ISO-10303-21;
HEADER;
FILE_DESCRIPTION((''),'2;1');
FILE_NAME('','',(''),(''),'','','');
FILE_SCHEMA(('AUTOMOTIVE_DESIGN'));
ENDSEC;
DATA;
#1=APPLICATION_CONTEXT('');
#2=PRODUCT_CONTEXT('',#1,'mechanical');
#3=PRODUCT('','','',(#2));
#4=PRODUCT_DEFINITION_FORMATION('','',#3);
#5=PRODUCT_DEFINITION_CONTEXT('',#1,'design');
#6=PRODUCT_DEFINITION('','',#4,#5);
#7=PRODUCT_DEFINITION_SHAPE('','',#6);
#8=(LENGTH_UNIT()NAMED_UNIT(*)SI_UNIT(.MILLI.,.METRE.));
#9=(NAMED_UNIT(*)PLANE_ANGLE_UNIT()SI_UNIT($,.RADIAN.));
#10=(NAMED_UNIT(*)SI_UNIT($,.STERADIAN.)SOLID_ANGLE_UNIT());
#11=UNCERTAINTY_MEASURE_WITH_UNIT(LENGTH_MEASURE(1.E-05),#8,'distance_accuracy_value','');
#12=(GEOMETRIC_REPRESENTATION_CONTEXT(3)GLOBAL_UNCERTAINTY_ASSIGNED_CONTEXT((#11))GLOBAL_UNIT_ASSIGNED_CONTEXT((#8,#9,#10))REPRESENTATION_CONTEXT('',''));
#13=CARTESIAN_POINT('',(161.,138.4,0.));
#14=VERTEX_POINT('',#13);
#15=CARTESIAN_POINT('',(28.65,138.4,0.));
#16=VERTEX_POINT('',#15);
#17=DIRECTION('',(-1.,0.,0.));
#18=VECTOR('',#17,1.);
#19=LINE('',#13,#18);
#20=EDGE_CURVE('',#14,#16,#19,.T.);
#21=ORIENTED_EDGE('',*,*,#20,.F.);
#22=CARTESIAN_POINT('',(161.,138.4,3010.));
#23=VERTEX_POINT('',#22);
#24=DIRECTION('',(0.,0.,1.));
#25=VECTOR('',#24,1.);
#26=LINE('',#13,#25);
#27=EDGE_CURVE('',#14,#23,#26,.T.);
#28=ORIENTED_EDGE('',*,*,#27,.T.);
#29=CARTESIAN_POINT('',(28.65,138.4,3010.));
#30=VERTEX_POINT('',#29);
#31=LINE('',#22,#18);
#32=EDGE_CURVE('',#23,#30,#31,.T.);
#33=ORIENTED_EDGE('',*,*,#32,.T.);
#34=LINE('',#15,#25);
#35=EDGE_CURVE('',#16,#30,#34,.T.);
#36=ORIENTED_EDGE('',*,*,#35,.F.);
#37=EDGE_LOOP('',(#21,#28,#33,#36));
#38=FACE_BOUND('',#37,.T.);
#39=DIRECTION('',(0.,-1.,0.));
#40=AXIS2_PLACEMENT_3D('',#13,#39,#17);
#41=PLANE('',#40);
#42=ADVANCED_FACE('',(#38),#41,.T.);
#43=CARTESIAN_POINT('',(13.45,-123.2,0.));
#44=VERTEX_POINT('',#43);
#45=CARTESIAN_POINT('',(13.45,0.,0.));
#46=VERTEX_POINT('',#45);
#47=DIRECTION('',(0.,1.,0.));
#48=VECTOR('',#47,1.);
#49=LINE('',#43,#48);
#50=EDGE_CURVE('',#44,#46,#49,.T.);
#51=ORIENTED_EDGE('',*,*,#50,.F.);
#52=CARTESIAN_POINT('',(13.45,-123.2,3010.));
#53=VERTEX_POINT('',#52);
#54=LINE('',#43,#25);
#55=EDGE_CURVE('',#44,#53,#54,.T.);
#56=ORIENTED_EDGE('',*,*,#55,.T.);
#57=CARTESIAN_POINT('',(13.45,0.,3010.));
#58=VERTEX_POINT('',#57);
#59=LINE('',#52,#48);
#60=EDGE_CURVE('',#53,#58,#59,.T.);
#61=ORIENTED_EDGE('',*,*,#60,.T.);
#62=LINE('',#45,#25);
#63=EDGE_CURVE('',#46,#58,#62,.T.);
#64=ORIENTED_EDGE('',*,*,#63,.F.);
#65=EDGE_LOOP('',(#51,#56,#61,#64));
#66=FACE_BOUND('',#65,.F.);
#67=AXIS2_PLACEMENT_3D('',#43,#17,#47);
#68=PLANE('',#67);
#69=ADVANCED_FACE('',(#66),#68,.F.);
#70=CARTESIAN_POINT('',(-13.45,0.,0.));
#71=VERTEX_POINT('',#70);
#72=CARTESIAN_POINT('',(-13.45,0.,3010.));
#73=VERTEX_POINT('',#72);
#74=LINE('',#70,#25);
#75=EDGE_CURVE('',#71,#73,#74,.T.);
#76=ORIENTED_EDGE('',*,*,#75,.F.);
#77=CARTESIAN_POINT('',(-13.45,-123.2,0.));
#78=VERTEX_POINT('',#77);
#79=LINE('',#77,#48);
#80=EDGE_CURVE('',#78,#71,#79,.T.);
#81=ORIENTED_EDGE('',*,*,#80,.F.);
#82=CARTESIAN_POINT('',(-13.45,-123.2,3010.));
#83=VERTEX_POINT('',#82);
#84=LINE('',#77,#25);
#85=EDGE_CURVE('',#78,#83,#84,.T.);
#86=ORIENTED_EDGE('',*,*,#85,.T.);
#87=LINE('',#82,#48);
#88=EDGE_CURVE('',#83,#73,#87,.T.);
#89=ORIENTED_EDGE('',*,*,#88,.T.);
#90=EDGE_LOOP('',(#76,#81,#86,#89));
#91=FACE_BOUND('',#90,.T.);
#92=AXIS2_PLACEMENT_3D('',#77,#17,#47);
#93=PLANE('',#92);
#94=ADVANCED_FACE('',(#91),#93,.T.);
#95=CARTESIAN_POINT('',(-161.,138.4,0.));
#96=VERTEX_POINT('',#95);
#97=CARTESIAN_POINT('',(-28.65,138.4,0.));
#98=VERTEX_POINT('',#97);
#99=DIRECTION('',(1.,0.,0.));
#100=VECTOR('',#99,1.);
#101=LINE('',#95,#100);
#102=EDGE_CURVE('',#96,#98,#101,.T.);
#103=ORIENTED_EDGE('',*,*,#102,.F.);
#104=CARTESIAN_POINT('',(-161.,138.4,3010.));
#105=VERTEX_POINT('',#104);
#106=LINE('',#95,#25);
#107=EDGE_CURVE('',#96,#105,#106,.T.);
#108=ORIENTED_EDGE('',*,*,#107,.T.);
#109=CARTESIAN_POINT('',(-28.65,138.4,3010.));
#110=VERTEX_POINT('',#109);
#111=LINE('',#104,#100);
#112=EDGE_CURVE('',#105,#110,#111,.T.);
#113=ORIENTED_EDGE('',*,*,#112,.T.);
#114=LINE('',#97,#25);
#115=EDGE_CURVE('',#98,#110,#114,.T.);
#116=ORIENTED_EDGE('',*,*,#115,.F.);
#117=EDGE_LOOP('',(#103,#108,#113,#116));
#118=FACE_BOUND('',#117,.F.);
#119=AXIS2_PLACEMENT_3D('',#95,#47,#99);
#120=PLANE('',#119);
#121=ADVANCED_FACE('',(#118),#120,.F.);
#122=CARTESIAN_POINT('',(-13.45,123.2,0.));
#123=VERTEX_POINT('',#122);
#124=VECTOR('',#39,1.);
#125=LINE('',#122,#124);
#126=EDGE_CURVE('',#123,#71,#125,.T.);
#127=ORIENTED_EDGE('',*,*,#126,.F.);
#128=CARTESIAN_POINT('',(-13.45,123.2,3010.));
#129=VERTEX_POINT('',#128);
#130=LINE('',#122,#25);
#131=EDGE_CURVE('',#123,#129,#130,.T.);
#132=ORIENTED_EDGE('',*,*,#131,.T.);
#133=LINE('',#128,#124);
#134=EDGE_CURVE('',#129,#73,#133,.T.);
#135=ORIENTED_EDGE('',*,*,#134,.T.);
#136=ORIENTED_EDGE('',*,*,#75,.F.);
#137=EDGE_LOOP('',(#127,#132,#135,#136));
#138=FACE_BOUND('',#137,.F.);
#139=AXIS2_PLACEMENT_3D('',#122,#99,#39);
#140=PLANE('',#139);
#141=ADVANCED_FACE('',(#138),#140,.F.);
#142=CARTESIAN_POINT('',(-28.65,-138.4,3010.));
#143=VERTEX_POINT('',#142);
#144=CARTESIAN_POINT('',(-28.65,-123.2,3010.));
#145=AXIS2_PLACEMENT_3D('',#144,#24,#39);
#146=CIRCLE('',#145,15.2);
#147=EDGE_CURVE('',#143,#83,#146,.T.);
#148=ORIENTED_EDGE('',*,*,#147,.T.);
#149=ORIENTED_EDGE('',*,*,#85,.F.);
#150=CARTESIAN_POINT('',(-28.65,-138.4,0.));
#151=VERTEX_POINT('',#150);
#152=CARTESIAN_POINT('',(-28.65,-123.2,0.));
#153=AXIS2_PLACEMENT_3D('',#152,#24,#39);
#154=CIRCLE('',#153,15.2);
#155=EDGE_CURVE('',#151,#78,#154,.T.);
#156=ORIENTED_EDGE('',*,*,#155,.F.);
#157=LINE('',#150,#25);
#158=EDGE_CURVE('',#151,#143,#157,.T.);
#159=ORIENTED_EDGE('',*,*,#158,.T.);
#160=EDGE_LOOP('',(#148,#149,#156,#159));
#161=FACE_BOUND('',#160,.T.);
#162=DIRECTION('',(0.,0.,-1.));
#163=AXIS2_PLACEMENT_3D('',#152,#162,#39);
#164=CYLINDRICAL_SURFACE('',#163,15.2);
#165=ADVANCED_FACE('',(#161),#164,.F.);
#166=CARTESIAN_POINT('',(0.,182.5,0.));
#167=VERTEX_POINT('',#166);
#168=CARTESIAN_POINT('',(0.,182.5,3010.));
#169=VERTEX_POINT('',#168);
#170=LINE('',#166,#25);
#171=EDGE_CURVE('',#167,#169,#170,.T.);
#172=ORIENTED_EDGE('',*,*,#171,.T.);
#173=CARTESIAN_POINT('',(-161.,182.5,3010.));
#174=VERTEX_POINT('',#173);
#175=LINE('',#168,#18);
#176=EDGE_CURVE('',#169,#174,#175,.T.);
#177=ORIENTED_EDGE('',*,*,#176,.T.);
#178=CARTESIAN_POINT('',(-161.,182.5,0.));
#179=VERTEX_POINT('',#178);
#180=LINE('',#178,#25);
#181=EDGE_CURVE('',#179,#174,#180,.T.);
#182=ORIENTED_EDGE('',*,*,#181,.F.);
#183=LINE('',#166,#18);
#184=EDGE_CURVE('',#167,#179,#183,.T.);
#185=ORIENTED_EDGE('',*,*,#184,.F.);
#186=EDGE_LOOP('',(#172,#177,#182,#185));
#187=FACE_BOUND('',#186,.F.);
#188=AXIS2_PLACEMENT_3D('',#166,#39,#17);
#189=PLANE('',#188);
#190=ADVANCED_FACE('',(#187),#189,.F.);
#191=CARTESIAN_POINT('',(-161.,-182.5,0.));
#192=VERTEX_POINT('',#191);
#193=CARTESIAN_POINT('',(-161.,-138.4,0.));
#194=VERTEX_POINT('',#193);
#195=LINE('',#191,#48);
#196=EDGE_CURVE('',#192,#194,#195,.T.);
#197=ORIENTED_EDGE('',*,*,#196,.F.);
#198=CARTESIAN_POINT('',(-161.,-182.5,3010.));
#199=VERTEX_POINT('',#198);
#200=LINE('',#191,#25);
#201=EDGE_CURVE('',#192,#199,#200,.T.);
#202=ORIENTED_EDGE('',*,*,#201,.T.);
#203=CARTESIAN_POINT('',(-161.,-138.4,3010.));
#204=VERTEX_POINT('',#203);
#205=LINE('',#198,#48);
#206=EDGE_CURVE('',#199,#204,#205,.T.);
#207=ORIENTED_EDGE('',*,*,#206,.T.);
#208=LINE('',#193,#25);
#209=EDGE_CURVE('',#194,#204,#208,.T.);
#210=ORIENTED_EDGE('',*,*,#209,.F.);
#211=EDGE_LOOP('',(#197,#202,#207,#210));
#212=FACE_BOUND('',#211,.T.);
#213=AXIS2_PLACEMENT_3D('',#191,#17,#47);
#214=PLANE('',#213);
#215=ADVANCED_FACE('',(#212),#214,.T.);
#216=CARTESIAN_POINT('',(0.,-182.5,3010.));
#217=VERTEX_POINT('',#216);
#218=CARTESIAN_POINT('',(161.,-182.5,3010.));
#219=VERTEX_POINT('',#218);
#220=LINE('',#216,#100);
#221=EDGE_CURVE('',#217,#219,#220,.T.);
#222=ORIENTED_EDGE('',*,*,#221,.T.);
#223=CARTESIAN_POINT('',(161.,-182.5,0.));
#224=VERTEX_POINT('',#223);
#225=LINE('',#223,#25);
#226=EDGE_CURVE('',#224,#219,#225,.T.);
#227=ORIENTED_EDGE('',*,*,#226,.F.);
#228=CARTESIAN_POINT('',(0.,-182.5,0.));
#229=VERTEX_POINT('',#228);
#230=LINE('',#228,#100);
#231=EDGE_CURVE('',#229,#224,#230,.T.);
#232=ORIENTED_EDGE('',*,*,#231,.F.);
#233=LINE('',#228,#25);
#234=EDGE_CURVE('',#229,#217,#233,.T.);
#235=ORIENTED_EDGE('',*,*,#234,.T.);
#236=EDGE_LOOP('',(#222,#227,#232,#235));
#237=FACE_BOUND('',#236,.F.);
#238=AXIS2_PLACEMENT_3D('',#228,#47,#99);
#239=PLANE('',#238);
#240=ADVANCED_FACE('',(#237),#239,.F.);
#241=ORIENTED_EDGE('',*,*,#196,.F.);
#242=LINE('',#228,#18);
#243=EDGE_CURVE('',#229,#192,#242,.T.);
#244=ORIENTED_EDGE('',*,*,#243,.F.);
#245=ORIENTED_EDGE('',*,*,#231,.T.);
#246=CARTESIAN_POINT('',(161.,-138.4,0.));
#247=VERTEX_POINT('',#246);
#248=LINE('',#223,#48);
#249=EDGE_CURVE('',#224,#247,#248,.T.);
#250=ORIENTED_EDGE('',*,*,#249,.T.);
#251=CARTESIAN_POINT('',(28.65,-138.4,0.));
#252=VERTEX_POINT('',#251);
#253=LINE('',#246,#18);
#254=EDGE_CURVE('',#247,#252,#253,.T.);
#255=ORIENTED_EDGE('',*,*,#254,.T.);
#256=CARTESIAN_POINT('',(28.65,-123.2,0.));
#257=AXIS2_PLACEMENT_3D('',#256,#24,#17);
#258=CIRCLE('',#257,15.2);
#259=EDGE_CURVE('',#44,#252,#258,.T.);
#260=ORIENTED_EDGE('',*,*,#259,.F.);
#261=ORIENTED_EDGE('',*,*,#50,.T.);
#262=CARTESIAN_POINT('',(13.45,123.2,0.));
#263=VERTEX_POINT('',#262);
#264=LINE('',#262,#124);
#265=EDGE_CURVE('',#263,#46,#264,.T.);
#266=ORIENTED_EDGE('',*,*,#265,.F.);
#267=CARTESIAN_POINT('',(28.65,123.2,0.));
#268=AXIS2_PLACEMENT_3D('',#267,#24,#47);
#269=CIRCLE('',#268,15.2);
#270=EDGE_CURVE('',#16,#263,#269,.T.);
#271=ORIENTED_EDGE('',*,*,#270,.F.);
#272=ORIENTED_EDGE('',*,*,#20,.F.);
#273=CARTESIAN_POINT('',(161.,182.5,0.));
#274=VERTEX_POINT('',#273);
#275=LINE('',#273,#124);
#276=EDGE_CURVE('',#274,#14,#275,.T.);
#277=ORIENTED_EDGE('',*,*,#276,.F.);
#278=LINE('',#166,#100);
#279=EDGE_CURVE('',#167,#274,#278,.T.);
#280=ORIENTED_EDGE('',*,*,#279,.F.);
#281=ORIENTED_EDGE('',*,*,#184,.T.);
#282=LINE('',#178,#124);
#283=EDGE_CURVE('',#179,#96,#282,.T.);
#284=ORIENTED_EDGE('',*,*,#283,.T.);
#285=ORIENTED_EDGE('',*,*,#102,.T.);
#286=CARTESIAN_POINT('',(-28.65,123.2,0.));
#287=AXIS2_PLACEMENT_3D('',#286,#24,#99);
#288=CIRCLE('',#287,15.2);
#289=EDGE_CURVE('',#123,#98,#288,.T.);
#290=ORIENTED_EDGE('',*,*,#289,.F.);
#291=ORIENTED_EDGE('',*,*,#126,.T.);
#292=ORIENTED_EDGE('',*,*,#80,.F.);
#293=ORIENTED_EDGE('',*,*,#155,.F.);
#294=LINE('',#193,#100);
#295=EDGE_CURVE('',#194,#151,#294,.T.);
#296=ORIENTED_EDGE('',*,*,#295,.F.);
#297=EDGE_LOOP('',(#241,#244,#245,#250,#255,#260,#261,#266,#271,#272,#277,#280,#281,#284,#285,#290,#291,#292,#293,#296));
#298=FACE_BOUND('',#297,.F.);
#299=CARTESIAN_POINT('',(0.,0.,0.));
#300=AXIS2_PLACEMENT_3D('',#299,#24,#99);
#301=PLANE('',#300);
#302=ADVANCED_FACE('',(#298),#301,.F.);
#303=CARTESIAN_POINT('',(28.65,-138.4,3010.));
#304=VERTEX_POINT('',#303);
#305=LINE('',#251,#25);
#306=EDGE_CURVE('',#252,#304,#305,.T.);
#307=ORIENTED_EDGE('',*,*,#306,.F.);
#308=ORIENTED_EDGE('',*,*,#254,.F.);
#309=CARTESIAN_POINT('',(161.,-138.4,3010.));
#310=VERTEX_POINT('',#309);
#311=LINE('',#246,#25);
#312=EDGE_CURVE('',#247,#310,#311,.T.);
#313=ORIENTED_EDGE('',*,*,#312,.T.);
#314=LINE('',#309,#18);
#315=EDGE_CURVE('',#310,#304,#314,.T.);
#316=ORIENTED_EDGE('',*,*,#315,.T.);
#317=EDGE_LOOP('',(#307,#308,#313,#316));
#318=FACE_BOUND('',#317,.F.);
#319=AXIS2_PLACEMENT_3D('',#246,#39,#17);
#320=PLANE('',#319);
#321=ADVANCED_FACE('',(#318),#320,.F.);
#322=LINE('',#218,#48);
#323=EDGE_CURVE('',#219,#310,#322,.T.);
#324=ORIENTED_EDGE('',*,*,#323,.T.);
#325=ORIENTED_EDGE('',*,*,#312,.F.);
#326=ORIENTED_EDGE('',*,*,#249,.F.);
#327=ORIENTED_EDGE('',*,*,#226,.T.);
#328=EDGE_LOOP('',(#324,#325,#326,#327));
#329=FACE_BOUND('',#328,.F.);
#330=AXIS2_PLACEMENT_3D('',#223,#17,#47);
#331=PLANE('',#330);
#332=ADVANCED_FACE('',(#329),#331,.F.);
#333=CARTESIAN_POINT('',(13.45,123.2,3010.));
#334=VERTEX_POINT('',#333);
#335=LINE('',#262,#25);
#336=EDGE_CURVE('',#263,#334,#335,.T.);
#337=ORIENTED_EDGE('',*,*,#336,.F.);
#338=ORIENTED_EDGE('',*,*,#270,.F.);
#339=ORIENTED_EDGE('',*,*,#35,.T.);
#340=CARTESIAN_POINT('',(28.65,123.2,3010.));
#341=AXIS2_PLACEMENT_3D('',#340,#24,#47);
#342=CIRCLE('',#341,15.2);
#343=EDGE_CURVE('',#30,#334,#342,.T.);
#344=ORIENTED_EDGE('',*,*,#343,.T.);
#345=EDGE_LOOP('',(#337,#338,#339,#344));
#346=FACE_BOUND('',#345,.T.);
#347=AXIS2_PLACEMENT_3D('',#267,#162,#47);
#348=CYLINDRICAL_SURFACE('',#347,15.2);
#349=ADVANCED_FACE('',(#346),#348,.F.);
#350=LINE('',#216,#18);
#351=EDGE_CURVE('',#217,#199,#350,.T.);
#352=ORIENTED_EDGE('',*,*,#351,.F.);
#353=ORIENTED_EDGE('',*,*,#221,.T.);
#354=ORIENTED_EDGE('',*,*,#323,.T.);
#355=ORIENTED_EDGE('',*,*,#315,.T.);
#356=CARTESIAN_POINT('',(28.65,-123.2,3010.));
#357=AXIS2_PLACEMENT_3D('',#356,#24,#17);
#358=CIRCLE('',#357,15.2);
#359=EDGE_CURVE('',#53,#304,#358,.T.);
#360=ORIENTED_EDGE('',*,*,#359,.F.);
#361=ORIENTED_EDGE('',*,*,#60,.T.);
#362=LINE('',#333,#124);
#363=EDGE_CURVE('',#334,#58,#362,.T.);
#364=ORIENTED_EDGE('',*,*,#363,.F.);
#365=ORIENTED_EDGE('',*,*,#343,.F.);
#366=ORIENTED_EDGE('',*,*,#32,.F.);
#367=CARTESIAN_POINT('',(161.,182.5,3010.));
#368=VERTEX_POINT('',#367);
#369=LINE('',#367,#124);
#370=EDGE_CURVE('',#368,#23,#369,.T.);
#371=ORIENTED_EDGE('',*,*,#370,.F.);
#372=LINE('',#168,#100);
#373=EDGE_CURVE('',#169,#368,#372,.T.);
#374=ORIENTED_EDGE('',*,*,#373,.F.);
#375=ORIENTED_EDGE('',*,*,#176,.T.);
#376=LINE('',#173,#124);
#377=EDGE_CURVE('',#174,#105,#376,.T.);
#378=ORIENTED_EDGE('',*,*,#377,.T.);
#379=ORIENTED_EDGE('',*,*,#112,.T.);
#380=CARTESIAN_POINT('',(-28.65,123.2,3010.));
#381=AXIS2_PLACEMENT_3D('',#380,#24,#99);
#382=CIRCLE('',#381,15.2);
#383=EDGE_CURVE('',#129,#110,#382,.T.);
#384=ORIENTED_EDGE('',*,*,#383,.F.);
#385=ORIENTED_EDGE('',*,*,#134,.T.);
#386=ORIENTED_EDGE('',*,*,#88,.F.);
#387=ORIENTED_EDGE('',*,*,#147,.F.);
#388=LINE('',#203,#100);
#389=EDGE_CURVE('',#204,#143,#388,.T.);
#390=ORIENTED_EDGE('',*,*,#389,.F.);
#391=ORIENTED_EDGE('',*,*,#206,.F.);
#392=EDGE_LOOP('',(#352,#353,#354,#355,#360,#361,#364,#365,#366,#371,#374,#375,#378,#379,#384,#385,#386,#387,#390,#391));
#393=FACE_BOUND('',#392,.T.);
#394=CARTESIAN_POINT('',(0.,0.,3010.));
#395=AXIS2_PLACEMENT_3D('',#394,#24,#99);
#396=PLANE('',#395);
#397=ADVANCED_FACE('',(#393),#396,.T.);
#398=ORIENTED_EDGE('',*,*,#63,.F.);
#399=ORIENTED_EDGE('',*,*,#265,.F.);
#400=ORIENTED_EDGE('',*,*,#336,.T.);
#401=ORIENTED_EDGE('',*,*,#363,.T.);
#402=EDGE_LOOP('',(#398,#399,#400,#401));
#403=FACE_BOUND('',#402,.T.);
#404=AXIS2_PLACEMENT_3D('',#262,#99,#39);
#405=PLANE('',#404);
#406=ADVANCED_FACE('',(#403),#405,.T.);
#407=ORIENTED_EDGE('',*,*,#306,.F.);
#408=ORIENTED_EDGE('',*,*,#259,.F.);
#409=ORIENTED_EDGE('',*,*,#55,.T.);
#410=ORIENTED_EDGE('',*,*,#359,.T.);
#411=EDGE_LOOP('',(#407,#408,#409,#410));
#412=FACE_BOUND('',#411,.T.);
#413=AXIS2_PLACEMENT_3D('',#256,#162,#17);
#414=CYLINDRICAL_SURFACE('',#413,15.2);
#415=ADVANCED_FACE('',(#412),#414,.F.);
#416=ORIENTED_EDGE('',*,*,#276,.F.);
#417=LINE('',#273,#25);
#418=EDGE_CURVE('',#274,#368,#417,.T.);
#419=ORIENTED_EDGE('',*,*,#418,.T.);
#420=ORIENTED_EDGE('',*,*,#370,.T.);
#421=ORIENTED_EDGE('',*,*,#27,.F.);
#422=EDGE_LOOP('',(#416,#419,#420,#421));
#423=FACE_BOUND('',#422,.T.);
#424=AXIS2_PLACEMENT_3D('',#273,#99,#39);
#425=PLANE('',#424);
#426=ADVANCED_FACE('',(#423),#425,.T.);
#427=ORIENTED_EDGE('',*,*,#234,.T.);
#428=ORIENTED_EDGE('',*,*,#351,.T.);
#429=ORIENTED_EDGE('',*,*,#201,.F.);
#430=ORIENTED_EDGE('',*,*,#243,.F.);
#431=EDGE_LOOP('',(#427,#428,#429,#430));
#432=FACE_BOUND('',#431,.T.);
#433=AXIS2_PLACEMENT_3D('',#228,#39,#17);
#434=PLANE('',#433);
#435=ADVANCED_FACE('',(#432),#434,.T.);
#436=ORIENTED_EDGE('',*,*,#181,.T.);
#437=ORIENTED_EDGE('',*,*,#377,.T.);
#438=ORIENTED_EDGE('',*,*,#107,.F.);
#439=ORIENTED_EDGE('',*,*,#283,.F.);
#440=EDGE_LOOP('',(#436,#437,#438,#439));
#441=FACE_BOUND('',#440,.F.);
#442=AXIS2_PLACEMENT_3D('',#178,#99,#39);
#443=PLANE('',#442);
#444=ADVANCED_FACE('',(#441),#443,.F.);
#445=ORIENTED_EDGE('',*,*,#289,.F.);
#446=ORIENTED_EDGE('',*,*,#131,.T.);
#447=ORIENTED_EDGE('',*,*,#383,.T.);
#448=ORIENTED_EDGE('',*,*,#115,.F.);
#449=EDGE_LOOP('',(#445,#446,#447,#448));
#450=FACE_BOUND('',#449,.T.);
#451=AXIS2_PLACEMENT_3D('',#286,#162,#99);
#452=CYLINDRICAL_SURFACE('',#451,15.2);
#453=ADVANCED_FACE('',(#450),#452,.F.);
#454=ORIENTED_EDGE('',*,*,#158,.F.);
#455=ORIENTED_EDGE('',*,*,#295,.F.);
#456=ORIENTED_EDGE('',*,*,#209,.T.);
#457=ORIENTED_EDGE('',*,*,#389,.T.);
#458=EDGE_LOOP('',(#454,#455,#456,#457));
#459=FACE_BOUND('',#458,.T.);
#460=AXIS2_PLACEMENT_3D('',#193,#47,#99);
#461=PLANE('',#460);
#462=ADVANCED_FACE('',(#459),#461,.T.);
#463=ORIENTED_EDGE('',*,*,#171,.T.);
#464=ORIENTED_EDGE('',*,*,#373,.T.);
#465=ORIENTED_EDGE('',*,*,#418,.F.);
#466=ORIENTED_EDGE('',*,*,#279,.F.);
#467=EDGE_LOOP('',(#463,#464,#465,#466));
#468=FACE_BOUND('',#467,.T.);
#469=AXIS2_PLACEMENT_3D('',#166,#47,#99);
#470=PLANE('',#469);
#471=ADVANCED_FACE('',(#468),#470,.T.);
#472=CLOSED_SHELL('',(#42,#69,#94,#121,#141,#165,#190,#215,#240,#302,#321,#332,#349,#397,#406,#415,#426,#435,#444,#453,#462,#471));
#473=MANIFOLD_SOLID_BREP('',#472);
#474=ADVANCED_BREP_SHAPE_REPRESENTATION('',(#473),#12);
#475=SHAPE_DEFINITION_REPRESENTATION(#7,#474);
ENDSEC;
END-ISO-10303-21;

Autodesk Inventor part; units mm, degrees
ref_plane "YZ Plane" through (0, 0, 0) normal (1, 0, 0) x (0, 1, 0)
ref_plane "Start plane" through (0, 0, 0) normal (0, 0, 1) x (1, 0, 0)
ref_plane "End plane" through (0, 0, 3010) normal (0, 0, 1) x (1, 0, 0)
sketch "Sketch" plane through (0, 0, 0) normal (0, 0, 1) x (1, 0, 0)
  line L0 (-161, -182.5) -> (-161, -138.4)
  line L1 (-161, -138.4) -> (-28.65, -138.4)
  line L2 (-13.45, -123.2) -> (-13.45, 0)
  line L3 (-13.45, 0) -> (0, 0) construction
  line L4 (0, 0) -> (0, -182.5) construction
  line L5 (0, -182.5) -> (-161, -182.5)
  line L6 (-60, 0) -> (80, 0) construction
  line L7 (0, -60) -> (0, 80) construction
  line L8 (161, -182.5) -> (161, -138.4)
  line L9 (161, -138.4) -> (28.65, -138.4)
  line L10 (13.45, -123.2) -> (13.45, 0)
  line L11 (13.45, 0) -> (0, 0) construction
  line L12 (0, -182.5) -> (161, -182.5)
  line L13 (-161, 182.5) -> (-161, 138.4)
  line L14 (-161, 138.4) -> (-28.65, 138.4)
  line L15 (-13.45, 123.2) -> (-13.45, 0)
  line L16 (0, 182.5) -> (-161, 182.5)
  line L17 (161, 182.5) -> (161, 138.4)
  line L18 (161, 138.4) -> (28.65, 138.4)
  line L19 (0, 182.5) -> (161, 182.5)
  line L20 (13.45, 123.2) -> (13.45, 0)
  arc A0 (-13.45, 123.2) -> (-28.65, 138.4) centre (-28.65, 123.2) ccw
  arc A1 (28.65, 138.4) -> (13.45, 123.2) centre (28.65, 123.2) ccw
  arc A2 (13.45, -123.2) -> (28.65, -138.4) centre (28.65, -123.2) ccw
  arc A3 (-28.65, -138.4) -> (-13.45, -123.2) centre (-28.65, -123.2) ccw
  line L21 (0, 108) -> (0, -88) construction
  line L22 (-88, 0) -> (108, 0) construction
  point P0 (-13.45, -138.4)
  point P1 (13.45, -138.4)
  point P2 (-13.45, 138.4)
  point P3 (13.45, 138.4)
  dimension "d1" = 182.5
  dimension "d2" = 44.1
  dimension "d3" = 161
  dimension "d4" = 13.45
  dimension "d10" = 15.2
extrude "Body" add sketch "Sketch" along normal up to surface (3010 mm away) from surface at 0
sketch "Sketch4" plane through (0, 0, 0) normal (0, 0, 1) x (1, 0, 0)
  line L0 (0, 0) -> (10, 0)
ref_plane "Work Plane3" through (0, 0, 0) normal (0, -1, 0) x (1, 0, 0)
sketch "Sketch5" plane through (0, 0, 0) normal (0, -1, 0) x (1, 0, 0)
  line L0 (-2, 0) -> (12, 0) projected
  line L1 (-2, 3010) -> (12, 3010) projected
  dimension "d14" = 3010
equation "\"d1\" = 0.5 * G_H"
equation "\"d2\" = G_T1"
equation "\"d3\" = 0.5 * G_W"
equation "\"d4\" = 0.5 * G_T"
equation "\"d10\" = G_IR"
equation "\"d5\" = G_L"
equation "\"G_W\" = 322"
equation "\"G_H\" = 365"
equation "\"G_T\" = 26.9"
equation "\"G_T1\" = 44.1"
equation "\"G_IR\" = 15.2"
equation "\"G_L\" = d14"
equation "\"G_OFFSET_START\" = 0"
equation "\"G_OFFSET_END\" = 0"
properties part number "AS 3679 - 310 UC - 283 - 3010" material "Steel, Mild"
